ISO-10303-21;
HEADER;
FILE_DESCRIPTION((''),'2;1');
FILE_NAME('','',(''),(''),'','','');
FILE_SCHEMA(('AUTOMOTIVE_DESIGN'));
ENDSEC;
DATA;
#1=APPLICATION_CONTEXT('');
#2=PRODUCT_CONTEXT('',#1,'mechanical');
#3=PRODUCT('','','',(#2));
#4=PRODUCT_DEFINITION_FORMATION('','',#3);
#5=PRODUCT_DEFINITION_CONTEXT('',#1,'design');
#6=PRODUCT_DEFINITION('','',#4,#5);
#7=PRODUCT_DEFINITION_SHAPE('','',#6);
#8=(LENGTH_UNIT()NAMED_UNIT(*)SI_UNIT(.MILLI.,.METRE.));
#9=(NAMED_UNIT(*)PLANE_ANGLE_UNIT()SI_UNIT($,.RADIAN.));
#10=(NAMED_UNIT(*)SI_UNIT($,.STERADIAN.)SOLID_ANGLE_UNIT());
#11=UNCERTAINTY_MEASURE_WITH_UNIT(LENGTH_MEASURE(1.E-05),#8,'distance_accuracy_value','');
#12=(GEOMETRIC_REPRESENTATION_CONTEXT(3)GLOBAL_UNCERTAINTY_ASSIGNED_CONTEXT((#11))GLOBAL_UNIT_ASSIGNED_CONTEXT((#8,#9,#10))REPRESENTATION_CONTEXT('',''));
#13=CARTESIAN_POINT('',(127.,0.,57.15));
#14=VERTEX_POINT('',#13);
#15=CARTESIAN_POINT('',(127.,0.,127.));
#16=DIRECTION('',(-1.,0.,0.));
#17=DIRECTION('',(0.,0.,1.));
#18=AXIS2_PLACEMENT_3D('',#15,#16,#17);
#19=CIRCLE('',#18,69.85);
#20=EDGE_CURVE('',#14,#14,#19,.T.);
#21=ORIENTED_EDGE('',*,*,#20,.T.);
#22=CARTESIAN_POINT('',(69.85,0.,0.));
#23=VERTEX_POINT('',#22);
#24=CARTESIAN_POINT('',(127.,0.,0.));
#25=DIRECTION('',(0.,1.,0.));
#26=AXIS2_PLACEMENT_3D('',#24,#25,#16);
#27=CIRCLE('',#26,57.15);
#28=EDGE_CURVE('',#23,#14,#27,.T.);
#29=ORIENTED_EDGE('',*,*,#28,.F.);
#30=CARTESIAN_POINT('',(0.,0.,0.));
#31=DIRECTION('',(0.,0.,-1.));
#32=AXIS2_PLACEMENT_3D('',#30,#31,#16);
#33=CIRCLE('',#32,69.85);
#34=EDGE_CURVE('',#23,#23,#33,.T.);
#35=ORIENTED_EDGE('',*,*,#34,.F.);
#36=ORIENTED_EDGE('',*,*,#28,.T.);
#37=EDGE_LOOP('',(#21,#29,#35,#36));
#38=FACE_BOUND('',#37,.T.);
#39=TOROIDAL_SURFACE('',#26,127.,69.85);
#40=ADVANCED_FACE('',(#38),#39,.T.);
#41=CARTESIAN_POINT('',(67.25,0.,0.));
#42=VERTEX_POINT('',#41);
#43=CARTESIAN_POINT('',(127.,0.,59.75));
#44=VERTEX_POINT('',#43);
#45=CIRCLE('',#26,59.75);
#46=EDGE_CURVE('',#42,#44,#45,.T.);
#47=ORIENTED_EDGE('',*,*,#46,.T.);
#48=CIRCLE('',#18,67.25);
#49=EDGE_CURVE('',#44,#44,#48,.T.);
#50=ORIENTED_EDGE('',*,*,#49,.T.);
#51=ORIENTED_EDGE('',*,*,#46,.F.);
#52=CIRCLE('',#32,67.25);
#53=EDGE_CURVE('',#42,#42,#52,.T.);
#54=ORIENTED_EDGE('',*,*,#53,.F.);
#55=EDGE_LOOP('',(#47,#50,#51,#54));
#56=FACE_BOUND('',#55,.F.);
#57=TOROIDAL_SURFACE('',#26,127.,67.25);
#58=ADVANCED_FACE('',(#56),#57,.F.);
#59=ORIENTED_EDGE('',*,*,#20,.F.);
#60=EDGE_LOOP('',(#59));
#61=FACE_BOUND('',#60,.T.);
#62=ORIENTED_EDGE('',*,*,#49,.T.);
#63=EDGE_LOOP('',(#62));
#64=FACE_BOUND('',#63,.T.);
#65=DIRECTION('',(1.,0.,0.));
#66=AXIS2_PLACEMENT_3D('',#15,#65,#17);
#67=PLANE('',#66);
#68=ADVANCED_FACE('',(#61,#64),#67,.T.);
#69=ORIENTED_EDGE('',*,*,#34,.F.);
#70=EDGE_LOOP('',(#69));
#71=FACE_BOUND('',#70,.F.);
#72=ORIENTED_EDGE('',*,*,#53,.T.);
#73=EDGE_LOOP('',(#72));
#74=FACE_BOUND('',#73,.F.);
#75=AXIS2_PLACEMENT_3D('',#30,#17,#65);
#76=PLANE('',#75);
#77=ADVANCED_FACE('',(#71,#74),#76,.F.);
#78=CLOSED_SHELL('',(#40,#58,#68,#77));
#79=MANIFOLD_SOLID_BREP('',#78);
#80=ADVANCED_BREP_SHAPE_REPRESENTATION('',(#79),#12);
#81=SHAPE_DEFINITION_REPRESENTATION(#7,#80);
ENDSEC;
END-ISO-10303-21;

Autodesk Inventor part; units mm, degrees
ref_plane "YZ Plane" through (0, 0, 0) normal (1, 0, 0) x (0, 1, 0)
ref_plane "XZ Plane" through (0, 0, 0) normal (0, 1, 0) x (-1, 0, 0)
ref_plane "XY Plane" through (0, 0, 0) normal (0, 0, 1) x (1, 0, 0)
sketch "Sketch1" plane through (0, 0, 0) normal (0, 0, 1) x (1, 0, 0)
  circle A0 centre (0, 0) radius 67.25
  circle A1 centre (0, 0) radius 69.85
  dimension "d0" = 134.5
  dimension "d1" = 139.7
sketch "Sketch2" plane through (0, 0, 0) normal (0, 1, 0) x (-1, 0, 0)
  line L0 (0, 0) -> (0, 127) construction
  line L1 (0, 127) -> (-127, 127) construction
  arc A0 (0, 0) -> (-127, 127) centre (-127, 0) ccw
  dimension "d2" = 127
  dimension "d3" = 127
sweep "Sweep1" add profiles "Sketch1" path "Sketch2"
equation "\"d0\" = -2 * s1 + da"
equation "\"d1\" = da"
equation "\"d2\" = r"
equation "\"d3\" = r"
equation "\"da\" = 139.7"
equation "\"r\" = 127"
equation "\"s1\" = 2.6"
equation "\"Size_Designation\" = 1.2345"
properties part number "DIN 2605 90 Deg Elbow Type 2 139.7 - 2.6S" material "Steel"
